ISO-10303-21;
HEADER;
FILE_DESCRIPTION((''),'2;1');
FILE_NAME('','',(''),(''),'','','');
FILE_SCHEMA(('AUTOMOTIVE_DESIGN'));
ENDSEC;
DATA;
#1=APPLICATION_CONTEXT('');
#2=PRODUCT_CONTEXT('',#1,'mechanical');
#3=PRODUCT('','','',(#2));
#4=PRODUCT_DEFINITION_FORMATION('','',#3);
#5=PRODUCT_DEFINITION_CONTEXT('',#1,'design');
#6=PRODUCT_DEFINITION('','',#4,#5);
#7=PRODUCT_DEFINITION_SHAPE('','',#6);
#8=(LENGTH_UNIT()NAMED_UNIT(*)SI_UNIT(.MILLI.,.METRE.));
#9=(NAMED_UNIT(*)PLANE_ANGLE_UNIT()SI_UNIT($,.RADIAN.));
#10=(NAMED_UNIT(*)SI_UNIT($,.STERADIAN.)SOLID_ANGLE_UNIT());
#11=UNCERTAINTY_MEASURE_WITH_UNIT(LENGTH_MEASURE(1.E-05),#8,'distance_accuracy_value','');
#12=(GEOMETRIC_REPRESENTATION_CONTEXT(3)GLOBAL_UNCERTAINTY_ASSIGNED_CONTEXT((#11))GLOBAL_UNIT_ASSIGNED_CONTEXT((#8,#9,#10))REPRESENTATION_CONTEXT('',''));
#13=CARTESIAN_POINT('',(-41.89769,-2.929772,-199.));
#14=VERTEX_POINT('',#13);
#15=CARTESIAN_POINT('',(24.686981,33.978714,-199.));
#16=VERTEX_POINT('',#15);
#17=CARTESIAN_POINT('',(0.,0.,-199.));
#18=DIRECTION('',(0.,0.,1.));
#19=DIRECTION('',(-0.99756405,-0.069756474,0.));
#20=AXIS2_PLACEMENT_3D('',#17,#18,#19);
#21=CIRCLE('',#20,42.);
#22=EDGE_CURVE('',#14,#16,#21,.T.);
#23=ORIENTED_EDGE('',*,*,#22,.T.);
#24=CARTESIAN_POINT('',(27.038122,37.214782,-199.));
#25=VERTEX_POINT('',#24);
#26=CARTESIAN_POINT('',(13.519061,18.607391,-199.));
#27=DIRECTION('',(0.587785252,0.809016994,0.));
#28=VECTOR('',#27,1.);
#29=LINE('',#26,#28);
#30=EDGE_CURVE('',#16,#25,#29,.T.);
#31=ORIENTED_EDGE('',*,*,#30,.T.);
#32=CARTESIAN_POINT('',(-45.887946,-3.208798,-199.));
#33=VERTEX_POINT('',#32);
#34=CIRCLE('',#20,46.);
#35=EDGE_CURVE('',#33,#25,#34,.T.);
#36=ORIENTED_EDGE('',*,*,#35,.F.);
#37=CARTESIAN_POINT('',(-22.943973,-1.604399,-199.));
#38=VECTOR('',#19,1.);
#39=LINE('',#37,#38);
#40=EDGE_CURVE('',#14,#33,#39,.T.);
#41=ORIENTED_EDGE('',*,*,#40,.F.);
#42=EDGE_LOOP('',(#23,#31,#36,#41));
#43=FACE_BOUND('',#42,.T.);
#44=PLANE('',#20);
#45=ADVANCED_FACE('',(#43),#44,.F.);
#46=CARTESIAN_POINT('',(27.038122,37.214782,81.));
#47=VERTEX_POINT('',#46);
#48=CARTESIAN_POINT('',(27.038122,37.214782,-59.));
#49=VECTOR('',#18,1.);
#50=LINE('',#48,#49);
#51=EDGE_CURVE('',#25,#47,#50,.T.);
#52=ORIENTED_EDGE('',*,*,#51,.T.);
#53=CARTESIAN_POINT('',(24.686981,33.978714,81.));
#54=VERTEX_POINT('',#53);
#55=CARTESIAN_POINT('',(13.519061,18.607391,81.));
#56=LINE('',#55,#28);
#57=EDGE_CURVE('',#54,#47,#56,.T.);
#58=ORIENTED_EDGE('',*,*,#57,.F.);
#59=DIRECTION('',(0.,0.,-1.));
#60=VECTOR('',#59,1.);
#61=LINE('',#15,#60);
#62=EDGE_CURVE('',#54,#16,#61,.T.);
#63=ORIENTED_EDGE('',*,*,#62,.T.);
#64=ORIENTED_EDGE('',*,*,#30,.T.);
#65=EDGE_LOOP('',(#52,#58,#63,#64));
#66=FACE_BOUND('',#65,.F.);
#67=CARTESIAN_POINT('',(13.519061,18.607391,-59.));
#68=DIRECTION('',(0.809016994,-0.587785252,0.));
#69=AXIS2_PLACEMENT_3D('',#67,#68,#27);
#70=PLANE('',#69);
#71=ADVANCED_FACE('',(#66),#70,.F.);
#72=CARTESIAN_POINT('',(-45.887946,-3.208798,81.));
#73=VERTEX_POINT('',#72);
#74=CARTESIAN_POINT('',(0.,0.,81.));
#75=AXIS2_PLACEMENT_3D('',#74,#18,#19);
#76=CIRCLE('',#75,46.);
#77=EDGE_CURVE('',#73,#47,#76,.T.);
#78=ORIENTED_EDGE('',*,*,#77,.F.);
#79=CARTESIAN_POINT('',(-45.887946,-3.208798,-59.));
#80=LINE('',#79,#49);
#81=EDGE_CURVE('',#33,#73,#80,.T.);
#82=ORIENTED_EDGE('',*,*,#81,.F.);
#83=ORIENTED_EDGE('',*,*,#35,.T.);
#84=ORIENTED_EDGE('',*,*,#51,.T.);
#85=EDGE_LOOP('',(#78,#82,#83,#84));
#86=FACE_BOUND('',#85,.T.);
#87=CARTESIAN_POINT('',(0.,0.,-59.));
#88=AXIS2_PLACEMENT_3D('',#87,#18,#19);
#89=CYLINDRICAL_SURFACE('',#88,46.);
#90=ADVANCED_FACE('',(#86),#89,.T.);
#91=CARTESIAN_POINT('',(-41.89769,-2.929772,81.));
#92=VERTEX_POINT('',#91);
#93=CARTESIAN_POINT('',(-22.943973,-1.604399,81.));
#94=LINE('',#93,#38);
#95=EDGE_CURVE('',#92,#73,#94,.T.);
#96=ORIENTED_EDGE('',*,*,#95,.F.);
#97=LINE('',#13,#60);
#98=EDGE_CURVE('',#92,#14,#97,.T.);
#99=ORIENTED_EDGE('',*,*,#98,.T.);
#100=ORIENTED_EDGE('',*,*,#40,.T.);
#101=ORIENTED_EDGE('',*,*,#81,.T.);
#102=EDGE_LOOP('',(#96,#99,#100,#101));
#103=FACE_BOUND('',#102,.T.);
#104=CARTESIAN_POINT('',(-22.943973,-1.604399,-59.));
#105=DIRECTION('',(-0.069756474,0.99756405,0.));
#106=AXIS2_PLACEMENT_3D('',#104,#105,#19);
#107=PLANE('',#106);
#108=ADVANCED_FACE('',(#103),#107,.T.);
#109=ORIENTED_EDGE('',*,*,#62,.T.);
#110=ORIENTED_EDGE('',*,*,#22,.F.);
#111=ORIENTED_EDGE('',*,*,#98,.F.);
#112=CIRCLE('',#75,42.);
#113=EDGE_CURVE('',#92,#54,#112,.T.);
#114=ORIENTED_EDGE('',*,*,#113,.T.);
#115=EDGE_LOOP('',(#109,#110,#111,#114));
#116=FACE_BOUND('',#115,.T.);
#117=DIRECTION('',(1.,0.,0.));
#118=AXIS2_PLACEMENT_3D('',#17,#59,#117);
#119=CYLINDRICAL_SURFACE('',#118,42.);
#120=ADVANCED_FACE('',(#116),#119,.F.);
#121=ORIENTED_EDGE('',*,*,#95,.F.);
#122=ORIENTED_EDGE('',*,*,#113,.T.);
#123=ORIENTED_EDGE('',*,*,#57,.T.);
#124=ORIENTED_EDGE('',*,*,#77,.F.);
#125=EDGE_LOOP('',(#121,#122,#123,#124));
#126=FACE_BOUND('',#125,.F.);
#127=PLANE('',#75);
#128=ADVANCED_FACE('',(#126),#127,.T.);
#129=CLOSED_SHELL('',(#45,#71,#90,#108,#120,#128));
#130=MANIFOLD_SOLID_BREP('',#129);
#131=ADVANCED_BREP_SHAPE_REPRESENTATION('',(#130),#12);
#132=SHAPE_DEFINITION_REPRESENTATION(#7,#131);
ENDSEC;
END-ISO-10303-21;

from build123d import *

# Parameters (mm, degrees)
CYLINDER072_R               = 42
CYLINDER072_DEPTH           = 297
CYLINDER073_W               = 46
CYLINDER073_H               = 280
CYLINDER073_ANGLE           = 230
CYLINDER073_PLACEMENT_ANGLE = 184


with BuildPart() as cylindre068:
    # Cylinder072 → Cylinder072 (new body)
    with BuildSketch(Plane.XY.offset(-207)):
        Circle(CYLINDER072_R)
    extrude(amount=CYLINDER072_DEPTH)


with BuildPart() as antenne_d_mission:
    # Cylinder073 → Cylinder073 (revolve)
    with BuildSketch(Plane.XZ):
        with Locations((23, 140)):
            Rectangle(CYLINDER073_W, CYLINDER073_H)
    revolve(axis=Axis((0, 0, 0), (0, 0, 1)), revolution_arc=CYLINDER073_ANGLE)


with BuildPart() as antenne_d_mission_1:
    # Cylinder073 placement: moved
    add(antenne_d_mission.part.moved(Location((0, 0, -207))).rotate(Axis((0, 0, -207), (0, 0, 1)), CYLINDER073_PLACEMENT_ANGLE))

    # Cut041: cut Cylindre068
    add(cylindre068.part, mode=Mode.SUBTRACT)


with BuildPart() as antenne_d_mission_2:
    # Cut041 placement: moved
    add(antenne_d_mission_1.part.moved(Location((0, 0, 8))))


solid = antenne_d_mission_2.part
